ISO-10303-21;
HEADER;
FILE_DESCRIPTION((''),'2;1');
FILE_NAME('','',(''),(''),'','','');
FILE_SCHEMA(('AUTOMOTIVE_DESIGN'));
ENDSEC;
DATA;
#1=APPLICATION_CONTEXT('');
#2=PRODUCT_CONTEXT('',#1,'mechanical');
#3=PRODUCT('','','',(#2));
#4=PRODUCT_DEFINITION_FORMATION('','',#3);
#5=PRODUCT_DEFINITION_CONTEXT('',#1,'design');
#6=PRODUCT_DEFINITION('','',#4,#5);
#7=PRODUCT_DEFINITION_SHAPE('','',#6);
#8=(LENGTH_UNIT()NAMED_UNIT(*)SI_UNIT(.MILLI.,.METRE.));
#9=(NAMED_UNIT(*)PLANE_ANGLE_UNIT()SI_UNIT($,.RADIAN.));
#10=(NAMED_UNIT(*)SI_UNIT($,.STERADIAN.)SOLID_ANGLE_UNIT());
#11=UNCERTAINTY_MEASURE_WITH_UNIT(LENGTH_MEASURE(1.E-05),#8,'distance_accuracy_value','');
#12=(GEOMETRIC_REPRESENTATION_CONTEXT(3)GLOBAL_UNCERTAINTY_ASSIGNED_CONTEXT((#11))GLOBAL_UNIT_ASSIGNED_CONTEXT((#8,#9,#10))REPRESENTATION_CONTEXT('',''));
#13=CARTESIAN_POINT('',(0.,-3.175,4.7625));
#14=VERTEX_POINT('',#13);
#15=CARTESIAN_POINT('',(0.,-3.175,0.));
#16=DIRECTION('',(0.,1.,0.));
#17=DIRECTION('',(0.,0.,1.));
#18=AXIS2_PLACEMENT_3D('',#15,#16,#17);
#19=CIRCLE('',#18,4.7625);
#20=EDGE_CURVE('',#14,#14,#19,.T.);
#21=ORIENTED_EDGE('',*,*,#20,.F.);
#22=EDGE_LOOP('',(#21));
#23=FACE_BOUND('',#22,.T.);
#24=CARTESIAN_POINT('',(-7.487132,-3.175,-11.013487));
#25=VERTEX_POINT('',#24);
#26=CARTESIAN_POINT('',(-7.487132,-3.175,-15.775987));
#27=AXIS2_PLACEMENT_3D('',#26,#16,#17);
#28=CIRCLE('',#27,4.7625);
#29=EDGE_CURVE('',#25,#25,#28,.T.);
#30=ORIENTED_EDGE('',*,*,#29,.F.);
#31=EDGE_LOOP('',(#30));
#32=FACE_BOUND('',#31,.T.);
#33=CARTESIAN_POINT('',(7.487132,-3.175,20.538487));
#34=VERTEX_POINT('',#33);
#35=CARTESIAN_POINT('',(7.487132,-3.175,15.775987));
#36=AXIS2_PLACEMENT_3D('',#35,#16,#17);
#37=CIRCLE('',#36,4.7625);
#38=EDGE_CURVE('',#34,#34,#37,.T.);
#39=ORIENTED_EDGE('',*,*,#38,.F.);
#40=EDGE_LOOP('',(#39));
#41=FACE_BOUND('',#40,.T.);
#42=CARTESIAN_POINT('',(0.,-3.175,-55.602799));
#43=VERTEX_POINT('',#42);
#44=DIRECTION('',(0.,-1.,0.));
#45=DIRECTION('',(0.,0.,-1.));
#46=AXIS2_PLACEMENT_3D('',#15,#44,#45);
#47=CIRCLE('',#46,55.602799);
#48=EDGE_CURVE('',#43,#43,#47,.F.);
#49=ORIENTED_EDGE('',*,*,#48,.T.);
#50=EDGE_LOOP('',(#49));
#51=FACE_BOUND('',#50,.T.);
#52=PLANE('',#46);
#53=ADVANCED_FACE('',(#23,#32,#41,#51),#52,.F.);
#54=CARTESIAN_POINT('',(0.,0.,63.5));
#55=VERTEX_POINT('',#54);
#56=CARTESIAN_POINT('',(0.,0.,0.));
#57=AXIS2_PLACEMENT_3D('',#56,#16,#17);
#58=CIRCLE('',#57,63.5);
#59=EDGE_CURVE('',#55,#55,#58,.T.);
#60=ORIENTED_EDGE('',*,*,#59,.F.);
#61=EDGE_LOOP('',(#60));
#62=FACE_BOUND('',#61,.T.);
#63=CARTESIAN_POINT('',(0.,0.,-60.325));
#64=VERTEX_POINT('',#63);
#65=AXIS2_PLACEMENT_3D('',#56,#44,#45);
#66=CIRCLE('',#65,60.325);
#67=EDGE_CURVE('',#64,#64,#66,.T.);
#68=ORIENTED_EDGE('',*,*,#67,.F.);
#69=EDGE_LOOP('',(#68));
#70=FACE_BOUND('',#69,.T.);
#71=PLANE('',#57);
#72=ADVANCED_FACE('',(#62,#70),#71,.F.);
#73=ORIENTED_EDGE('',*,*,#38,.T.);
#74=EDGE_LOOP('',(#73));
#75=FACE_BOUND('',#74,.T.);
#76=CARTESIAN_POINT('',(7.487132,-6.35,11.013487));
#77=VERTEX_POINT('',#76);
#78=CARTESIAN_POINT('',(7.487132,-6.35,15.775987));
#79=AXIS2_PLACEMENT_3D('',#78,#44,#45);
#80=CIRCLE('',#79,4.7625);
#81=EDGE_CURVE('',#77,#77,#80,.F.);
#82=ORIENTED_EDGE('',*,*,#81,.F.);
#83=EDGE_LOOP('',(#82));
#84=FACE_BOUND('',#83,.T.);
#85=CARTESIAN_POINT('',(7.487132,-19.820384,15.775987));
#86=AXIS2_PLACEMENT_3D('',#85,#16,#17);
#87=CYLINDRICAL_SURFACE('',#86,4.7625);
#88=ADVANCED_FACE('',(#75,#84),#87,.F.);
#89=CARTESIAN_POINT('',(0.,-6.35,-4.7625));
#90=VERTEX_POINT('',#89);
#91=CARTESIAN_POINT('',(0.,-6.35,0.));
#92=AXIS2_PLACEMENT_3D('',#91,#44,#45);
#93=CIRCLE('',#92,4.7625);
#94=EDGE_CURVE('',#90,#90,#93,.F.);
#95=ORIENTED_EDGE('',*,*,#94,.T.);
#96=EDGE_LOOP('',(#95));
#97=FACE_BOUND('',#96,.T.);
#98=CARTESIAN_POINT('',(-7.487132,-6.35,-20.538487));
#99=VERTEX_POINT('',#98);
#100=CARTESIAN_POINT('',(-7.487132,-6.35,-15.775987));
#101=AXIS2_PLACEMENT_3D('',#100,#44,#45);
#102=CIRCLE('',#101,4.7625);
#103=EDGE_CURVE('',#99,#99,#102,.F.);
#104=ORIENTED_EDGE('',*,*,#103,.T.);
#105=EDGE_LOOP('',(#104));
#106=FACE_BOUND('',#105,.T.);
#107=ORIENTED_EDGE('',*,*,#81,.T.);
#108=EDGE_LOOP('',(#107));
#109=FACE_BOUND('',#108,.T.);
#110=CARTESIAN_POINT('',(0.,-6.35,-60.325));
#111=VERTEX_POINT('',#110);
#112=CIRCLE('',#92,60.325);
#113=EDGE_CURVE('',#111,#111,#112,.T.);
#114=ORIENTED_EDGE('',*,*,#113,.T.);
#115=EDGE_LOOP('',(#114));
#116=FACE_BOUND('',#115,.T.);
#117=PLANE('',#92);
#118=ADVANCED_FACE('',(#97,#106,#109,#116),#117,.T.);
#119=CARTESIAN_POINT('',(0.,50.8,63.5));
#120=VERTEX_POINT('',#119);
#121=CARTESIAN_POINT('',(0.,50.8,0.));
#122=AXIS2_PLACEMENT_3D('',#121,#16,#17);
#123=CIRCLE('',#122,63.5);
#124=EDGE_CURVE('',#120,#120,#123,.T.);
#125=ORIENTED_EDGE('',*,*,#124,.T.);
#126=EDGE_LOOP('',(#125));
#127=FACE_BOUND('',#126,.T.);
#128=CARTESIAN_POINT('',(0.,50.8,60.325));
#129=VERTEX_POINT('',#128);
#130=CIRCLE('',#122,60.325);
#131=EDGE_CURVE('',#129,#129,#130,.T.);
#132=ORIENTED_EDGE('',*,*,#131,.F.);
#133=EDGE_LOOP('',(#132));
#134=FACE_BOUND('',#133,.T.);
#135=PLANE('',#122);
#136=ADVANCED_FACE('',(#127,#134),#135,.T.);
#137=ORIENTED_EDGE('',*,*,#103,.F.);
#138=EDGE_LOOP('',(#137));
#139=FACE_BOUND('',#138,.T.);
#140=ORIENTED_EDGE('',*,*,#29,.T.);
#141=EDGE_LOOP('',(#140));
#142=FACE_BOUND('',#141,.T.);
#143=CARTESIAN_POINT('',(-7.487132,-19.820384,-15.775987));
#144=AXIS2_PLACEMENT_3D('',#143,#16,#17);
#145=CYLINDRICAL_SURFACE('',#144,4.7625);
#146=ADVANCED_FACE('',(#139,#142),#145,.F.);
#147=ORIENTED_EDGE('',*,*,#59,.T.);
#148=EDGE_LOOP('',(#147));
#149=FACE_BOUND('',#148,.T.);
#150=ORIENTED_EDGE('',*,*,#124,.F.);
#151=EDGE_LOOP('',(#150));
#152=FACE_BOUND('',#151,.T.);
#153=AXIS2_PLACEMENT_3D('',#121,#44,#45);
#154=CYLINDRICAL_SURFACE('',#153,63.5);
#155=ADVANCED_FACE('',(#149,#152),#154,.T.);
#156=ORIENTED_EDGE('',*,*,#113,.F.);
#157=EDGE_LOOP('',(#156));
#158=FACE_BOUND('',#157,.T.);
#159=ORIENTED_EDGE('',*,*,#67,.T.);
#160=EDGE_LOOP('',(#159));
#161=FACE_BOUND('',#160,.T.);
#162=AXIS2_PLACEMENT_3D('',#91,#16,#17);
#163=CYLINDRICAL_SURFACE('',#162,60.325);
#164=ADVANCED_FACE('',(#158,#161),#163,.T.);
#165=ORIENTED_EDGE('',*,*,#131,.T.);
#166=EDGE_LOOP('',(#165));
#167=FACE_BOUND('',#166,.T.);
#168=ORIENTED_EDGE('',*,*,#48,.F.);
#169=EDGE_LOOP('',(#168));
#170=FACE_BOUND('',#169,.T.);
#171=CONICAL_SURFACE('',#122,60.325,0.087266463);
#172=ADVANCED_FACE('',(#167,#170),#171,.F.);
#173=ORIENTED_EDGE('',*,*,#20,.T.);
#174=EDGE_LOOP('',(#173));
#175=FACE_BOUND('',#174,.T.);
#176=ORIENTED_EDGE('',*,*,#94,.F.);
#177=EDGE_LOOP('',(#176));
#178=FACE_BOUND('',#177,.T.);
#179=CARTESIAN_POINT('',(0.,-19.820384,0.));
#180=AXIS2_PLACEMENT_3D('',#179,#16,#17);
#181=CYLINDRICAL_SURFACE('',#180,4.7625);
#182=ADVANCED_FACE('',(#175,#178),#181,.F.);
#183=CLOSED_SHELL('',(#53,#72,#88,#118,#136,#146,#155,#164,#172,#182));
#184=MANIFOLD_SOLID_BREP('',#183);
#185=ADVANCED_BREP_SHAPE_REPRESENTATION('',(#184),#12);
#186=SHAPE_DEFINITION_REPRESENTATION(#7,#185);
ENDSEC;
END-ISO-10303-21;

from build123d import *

# Parameters (mm, degrees)
SKETCH1_R           = 63.5
BOSS_EXTRUDE1_DEPTH = 50.8
SKETCH2_R           = 60.325
SKETCH2_R_2         = 57.15
BOSS_EXTRUDE2_DEPTH = 6.35
SKETCH3_R           = 60.325
CUT_EXTRUDE1_DEPTH  = 53.975
CUT_EXTRUDE1_DRAFT  = -5
SKETCH4_R           = 4.7625
CUT_EXTRUDE3_DEPTH  = 3.175


with BuildPart() as part:
    # Sketch1 → Boss-Extrude1 (new body)
    with BuildSketch(Plane(origin=(0, 0, 0), x_dir=(1, 0, 0), z_dir=(0, 1, 0))):
        with Locations(Location((0, 0, 0), (0, 0, 270))):
            Circle(SKETCH1_R)
    extrude(amount=BOSS_EXTRUDE1_DEPTH)

    # Sketch2 → Boss-Extrude2 (add)
    with BuildSketch(Plane.XZ):
        with Locations(Location((0, 0, 0), (0, 0, 270))):
            Circle(SKETCH2_R)
        Circle(SKETCH2_R_2, mode=Mode.SUBTRACT)
        Circle(SKETCH2_R_2)
    extrude(amount=BOSS_EXTRUDE2_DEPTH)


with BuildPart() as cut_extrude1_tool:
    # Sketch3 → Cut-Extrude1 (with draft: the straight prism first)
    with BuildSketch(Plane(origin=(0, 50.8, 0), x_dir=(1, 0, 0), z_dir=(0, 1, 0))):
        with Locations(Location((0, 0, 0), (0, 0, 90))):
            Circle(SKETCH3_R)
    extrude(amount=-CUT_EXTRUDE1_DEPTH)
    # Cut-Extrude1: the draft: its side faces are tilted about the plane it starts from
    cut_extrude1_sides = [cut_extrude1_tool.faces().sort_by_distance(p)[0] for p in [
        (0, 23.8125, 60.325),
    ]]
    draft(cut_extrude1_sides, Plane(origin=(0, 50.8, 0), x_dir=(1, 0, 0), z_dir=(0, 1, 0)), CUT_EXTRUDE1_DRAFT)


with BuildPart() as part_1:
    add(part.part)

    # Cut-Extrude1: cut by cut_extrude1_tool
    add(cut_extrude1_tool.part, mode=Mode.SUBTRACT)

    # Sketch4 → Cut-Extrude3 (cut)
    with BuildSketch(Plane(origin=(0, -3.175, 0), x_dir=(1, 0, 0), z_dir=(0, 1, 0))):
        with Locations(Location((7.487131795, -15.775986934, 0), (0, 0, 270))):
            Circle(SKETCH4_R)
        with Locations(Location((0, 0, 0), (0, 0, 270))):
            Circle(SKETCH4_R)
        with Locations(Location((-7.487131795, 15.775986934, 0), (0, 0, 270))):
            Circle(SKETCH4_R)
    extrude(amount=-CUT_EXTRUDE3_DEPTH, mode=Mode.SUBTRACT)


solid = part_1.part
